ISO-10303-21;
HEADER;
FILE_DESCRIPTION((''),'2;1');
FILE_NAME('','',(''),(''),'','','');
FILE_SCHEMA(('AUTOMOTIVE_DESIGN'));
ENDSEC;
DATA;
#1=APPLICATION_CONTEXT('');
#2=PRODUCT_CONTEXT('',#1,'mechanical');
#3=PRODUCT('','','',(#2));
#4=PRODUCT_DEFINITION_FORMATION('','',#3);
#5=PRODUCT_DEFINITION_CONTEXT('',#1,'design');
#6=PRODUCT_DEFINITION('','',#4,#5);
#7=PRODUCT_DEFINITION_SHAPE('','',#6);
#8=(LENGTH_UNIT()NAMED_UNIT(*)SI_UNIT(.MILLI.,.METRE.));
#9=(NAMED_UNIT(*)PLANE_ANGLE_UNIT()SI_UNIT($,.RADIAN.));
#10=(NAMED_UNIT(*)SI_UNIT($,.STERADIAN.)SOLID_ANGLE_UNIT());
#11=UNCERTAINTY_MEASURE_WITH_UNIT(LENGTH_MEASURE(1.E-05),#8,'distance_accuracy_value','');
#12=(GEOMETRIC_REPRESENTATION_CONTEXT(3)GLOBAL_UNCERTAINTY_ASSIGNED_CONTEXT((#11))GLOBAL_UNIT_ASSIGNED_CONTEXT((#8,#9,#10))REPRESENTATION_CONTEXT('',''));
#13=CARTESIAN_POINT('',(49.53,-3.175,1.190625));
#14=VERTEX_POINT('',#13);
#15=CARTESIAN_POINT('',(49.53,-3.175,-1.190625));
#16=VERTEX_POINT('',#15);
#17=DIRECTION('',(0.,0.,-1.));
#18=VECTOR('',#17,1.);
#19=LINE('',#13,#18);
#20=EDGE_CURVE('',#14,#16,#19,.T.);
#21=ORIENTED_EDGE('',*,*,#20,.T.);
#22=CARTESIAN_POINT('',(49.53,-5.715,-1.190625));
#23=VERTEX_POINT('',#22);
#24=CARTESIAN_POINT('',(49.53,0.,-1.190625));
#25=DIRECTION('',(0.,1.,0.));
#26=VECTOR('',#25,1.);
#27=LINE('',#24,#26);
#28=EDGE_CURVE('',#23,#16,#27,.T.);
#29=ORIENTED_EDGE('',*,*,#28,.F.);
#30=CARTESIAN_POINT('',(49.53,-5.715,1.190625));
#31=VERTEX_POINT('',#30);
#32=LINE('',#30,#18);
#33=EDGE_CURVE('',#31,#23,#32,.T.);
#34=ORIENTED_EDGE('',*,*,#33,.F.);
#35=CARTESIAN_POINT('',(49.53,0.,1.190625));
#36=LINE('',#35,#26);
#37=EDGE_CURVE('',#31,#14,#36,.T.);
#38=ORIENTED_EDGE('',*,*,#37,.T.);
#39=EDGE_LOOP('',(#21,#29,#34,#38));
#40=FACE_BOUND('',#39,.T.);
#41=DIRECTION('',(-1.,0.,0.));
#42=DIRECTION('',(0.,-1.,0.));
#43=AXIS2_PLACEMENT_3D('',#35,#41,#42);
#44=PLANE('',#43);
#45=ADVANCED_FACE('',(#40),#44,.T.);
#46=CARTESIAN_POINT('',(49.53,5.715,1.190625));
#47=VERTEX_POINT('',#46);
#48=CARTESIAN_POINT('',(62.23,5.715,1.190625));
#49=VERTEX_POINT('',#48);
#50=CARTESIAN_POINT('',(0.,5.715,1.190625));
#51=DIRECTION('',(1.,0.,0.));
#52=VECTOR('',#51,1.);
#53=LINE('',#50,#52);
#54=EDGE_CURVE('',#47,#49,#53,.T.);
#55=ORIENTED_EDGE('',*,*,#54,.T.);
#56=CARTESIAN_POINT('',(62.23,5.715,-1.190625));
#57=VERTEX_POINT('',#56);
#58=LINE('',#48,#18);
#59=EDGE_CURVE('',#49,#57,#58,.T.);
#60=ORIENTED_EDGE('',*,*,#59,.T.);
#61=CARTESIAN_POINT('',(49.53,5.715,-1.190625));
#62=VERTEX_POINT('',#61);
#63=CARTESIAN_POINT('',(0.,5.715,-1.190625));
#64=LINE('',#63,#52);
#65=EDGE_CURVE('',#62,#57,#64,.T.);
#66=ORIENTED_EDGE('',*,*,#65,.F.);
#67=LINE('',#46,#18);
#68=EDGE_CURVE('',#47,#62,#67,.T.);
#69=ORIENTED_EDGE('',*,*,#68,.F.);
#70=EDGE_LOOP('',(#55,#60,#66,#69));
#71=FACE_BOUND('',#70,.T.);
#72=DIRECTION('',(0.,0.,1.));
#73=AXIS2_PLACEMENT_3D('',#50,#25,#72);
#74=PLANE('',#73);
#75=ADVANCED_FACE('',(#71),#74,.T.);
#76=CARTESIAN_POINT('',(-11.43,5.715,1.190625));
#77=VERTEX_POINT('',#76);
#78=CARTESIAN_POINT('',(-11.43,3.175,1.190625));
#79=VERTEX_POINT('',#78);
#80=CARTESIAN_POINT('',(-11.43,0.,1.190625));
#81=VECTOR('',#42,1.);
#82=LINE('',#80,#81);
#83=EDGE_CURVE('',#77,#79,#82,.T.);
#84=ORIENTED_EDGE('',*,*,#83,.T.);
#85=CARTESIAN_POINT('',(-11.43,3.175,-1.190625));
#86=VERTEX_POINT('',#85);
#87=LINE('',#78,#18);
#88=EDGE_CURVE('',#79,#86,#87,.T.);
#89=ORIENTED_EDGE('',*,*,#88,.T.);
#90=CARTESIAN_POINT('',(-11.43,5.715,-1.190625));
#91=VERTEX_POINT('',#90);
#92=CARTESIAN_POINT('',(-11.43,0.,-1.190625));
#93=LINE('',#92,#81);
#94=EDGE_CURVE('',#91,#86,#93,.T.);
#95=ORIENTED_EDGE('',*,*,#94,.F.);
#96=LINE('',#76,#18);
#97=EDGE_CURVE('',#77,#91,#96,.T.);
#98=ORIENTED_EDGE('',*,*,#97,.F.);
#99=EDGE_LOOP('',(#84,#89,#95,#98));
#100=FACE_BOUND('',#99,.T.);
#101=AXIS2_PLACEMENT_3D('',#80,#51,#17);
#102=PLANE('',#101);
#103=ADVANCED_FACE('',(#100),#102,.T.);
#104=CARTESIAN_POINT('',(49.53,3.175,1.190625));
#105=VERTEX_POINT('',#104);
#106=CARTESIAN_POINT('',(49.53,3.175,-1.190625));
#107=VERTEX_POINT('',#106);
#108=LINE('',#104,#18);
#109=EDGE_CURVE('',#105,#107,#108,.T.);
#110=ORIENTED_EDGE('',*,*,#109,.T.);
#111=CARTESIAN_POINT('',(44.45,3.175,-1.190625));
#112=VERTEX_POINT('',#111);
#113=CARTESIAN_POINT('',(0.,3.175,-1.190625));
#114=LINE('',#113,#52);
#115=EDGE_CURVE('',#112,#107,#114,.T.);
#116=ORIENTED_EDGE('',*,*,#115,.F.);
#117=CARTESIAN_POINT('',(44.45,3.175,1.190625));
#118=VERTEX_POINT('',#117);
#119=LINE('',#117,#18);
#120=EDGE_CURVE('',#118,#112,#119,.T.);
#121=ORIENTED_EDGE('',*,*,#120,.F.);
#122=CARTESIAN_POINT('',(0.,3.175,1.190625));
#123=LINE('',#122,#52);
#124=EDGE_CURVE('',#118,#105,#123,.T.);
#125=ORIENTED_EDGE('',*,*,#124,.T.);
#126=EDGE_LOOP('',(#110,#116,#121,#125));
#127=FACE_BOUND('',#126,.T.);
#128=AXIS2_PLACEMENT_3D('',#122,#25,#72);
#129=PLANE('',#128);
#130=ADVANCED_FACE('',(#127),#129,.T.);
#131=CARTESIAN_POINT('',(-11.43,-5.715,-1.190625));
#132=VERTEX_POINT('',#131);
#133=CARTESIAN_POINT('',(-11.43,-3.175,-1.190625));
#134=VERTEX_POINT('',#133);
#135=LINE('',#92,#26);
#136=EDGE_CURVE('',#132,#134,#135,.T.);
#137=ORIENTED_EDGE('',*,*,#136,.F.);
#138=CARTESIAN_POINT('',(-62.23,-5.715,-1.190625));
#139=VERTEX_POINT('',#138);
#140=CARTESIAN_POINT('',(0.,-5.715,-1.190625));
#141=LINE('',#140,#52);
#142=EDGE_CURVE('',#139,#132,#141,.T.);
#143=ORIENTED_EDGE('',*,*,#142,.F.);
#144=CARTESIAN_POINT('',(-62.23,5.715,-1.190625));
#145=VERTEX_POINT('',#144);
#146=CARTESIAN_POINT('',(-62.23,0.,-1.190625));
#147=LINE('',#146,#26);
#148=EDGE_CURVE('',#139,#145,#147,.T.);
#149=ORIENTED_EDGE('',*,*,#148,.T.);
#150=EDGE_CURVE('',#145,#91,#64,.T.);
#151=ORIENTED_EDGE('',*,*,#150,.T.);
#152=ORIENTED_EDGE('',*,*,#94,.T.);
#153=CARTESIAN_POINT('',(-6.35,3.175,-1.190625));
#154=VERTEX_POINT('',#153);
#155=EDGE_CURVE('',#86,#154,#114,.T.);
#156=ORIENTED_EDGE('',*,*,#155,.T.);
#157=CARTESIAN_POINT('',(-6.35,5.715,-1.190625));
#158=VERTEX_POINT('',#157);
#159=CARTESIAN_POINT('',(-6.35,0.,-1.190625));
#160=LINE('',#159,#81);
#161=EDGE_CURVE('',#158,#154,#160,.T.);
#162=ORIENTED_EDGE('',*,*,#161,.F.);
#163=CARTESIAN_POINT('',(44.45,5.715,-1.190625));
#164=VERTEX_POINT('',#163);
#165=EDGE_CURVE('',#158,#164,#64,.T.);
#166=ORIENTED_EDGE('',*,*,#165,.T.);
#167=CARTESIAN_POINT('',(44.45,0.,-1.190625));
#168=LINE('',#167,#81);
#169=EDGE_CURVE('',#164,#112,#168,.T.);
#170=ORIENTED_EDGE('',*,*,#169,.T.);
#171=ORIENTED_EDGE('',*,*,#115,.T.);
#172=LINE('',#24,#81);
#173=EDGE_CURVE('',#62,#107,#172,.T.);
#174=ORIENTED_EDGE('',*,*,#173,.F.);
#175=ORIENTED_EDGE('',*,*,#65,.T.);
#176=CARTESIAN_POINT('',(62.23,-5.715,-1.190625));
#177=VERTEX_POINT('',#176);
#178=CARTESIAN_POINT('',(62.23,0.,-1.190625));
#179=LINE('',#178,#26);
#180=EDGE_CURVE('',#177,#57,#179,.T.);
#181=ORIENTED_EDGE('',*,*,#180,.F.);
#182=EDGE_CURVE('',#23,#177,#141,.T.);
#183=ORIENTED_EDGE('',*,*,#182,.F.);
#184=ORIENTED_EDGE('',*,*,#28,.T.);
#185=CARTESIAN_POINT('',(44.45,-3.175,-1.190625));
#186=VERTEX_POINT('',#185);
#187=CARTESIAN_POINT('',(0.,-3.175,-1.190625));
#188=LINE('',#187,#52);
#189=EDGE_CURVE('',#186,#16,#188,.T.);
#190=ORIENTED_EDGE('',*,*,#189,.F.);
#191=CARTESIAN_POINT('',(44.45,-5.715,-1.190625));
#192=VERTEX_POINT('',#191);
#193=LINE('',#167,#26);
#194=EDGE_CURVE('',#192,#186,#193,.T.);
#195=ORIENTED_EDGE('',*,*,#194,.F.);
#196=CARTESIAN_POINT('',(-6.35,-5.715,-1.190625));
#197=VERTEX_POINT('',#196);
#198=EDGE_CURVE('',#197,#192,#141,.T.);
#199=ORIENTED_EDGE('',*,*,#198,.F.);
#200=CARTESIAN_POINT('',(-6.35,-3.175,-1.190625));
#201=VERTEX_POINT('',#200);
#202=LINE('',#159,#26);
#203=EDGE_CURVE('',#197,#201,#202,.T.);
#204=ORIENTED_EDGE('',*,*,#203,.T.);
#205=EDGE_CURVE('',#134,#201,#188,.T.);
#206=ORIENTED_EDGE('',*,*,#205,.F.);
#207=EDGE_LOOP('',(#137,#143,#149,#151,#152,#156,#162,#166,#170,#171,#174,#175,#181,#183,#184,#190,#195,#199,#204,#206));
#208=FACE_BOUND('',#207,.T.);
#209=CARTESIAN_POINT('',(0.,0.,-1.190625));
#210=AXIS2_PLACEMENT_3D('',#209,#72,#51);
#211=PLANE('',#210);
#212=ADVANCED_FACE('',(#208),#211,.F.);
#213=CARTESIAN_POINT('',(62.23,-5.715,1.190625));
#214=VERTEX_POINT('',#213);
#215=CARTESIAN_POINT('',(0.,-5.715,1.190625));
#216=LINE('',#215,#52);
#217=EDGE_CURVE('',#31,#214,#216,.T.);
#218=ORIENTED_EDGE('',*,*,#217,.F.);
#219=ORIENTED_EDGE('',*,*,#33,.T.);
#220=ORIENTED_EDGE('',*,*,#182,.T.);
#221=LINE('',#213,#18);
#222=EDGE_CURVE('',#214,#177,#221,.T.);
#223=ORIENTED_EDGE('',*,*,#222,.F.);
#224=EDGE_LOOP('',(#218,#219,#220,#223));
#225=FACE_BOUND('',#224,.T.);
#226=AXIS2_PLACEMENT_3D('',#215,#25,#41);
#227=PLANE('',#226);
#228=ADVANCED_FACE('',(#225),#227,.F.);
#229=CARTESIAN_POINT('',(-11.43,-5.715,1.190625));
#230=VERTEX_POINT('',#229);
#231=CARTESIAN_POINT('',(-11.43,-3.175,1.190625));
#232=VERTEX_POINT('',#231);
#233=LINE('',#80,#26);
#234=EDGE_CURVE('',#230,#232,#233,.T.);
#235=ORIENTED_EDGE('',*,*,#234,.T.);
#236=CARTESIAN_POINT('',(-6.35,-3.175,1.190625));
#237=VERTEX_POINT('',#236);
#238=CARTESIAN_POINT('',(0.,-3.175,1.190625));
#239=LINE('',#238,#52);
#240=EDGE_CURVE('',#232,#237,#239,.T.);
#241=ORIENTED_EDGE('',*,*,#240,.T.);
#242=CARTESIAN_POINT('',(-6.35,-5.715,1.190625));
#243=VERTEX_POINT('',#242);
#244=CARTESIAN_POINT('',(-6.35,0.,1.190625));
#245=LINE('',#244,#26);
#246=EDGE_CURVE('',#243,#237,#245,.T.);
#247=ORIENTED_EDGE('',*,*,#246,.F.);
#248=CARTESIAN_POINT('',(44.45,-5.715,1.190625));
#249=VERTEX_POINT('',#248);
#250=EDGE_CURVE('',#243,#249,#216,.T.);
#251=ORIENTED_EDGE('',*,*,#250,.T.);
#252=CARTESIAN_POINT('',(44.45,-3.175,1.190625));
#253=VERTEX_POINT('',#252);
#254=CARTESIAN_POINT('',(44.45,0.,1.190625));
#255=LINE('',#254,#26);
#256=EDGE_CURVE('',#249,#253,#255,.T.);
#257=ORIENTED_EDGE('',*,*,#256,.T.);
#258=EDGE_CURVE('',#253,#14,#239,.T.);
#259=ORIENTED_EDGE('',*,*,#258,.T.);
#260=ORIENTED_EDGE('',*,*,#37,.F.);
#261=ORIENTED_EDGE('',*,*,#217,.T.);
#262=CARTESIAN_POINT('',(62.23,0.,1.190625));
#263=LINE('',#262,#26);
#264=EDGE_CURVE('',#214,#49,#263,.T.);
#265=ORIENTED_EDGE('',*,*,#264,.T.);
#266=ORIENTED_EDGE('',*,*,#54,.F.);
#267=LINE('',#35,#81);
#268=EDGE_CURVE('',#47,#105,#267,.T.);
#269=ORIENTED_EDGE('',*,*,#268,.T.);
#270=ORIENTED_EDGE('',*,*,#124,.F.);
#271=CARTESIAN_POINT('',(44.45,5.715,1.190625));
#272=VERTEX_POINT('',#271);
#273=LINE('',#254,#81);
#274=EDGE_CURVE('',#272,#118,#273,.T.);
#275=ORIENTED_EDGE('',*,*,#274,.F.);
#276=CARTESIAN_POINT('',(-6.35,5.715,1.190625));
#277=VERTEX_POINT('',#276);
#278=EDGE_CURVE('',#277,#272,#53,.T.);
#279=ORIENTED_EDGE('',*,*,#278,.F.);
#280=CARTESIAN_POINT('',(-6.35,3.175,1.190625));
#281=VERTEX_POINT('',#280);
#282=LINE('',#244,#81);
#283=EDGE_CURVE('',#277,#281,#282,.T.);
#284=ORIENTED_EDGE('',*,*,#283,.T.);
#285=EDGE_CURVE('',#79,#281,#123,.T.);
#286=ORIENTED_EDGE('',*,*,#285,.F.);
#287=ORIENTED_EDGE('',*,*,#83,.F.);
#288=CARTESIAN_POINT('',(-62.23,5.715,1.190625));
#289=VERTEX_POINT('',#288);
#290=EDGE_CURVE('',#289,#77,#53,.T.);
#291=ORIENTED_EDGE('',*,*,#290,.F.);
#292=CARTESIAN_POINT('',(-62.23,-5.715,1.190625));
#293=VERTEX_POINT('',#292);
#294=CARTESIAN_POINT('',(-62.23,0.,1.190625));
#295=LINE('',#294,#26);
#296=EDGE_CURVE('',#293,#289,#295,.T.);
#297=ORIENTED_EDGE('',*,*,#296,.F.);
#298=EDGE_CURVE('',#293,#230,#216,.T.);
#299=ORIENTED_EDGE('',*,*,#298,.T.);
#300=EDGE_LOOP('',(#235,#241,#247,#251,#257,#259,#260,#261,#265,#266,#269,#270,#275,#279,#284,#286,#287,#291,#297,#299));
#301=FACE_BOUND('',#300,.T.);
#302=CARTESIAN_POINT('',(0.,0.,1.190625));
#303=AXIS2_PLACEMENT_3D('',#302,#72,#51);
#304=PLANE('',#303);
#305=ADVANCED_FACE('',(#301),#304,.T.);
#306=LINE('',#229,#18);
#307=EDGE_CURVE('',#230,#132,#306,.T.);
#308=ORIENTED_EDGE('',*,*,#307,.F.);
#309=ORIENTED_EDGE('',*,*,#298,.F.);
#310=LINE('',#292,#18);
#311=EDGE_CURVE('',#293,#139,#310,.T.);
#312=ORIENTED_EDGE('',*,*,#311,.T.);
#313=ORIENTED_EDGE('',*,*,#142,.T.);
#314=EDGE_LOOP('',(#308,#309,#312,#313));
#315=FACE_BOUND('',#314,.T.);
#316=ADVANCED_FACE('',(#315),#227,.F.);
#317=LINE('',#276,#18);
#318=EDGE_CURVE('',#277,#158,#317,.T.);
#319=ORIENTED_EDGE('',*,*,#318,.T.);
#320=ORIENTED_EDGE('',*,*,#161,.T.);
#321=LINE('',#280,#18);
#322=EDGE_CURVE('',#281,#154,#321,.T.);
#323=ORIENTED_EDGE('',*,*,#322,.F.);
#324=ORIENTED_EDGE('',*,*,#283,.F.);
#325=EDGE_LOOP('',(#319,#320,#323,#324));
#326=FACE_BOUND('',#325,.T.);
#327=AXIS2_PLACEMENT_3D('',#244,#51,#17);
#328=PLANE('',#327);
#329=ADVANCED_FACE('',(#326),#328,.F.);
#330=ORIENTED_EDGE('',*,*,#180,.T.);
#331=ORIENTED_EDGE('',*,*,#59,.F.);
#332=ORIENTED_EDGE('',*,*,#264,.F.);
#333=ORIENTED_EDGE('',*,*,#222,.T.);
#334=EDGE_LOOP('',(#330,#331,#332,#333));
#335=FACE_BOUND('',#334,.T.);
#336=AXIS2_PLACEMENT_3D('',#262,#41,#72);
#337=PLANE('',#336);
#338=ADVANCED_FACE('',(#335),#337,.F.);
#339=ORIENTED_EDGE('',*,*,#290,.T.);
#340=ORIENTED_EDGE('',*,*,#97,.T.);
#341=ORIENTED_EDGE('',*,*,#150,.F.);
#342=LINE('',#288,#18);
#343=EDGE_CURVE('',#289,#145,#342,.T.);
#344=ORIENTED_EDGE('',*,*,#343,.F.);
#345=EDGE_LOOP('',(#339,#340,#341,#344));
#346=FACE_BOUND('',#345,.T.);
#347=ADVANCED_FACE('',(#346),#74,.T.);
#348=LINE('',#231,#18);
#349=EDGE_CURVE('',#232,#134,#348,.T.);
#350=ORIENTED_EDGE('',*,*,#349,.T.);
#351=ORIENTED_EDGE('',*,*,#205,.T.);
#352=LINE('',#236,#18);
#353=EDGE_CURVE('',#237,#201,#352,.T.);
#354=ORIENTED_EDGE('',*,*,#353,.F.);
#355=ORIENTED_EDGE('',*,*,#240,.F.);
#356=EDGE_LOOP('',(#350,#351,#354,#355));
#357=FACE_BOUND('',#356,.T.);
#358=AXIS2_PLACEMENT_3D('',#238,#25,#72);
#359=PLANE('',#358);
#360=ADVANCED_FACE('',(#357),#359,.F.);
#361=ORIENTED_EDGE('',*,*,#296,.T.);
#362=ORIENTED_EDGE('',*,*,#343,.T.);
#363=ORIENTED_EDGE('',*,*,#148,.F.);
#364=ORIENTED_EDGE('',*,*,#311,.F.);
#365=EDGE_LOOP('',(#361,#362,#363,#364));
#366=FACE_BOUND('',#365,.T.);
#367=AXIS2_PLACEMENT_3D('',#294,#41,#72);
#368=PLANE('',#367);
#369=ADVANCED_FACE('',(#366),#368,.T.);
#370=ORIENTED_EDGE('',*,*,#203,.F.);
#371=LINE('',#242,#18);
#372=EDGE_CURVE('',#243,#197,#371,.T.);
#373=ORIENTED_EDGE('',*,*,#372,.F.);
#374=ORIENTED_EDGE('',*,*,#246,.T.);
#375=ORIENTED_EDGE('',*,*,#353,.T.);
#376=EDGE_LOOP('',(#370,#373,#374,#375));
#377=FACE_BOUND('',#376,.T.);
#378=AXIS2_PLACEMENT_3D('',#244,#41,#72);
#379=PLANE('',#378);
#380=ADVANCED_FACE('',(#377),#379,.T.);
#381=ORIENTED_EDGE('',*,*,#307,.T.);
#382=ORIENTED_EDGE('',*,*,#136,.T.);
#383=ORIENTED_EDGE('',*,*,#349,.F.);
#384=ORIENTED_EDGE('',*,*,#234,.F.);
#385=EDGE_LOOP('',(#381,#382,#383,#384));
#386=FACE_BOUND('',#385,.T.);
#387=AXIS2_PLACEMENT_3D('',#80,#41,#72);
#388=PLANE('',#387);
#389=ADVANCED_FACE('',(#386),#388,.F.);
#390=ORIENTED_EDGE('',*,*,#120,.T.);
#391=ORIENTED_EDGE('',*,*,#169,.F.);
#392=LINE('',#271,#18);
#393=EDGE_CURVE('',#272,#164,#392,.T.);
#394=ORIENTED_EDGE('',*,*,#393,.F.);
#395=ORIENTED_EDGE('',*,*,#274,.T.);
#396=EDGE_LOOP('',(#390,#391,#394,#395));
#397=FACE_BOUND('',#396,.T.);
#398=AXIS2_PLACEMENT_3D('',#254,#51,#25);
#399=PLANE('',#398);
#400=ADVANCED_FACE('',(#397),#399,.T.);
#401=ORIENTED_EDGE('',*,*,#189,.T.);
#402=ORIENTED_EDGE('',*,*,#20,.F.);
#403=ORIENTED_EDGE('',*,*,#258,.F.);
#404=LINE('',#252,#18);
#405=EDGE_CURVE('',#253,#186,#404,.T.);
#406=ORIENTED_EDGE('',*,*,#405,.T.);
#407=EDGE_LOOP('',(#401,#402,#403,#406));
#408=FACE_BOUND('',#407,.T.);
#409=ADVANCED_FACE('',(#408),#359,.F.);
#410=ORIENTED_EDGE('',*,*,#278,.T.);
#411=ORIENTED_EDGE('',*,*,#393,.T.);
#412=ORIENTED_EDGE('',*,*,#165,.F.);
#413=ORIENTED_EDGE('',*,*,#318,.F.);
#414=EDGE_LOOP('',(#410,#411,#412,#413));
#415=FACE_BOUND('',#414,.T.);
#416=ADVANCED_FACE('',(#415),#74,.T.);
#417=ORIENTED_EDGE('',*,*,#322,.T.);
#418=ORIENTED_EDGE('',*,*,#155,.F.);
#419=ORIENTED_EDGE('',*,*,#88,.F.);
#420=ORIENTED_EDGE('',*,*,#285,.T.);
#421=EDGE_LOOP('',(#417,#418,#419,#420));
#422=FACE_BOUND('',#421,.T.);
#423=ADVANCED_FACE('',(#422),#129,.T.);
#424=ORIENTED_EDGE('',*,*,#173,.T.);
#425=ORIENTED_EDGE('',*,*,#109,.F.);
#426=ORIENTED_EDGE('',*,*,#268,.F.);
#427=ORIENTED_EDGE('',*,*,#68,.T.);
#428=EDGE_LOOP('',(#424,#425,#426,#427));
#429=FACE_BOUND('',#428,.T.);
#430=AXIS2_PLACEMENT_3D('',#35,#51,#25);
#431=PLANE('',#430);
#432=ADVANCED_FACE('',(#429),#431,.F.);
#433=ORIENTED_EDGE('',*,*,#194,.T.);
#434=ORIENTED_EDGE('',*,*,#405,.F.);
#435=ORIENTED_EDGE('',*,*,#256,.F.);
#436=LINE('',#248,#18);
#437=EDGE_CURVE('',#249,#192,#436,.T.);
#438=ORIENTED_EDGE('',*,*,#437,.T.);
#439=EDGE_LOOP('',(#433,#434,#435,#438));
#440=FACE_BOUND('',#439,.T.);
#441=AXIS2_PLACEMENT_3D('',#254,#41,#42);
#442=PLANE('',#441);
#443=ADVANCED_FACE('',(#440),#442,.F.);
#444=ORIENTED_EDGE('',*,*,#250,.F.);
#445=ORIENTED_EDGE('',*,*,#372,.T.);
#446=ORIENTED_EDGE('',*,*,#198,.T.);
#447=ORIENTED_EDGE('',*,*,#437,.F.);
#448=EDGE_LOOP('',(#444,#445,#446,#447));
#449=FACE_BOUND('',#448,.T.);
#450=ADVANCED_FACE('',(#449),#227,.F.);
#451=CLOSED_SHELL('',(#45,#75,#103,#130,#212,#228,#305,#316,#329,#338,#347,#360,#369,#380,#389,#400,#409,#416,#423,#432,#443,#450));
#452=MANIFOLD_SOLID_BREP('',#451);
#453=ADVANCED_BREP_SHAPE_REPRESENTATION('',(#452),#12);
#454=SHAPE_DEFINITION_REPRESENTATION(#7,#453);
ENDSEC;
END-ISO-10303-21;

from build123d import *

# Parameters (mm, degrees)
BOSS_EXTRUDE1_DEPTH = 1.190625


with BuildPart() as part:
    # Sketch2 → Boss-Extrude1 (new body, symmetric)
    with BuildSketch(Plane.XY):
        Polygon((-62.23, 5.715), (-62.23, -5.715), (-11.43, -5.715), (-11.43, -3.175), (-6.35, -3.175), (-6.35, -5.715), (44.45, -5.715), (44.45, -3.175), (49.53, -3.175), (49.53, -5.715), (62.23, -5.715), (62.23, 5.715), (49.53, 5.715), (49.53, 3.175), (44.45, 3.175), (44.45, 5.715), (-6.35, 5.715), (-6.35, 3.175), (-11.43, 3.175), (-11.43, 5.715), align=None)
    extrude(amount=BOSS_EXTRUDE1_DEPTH, both=True)


solid = part.part
